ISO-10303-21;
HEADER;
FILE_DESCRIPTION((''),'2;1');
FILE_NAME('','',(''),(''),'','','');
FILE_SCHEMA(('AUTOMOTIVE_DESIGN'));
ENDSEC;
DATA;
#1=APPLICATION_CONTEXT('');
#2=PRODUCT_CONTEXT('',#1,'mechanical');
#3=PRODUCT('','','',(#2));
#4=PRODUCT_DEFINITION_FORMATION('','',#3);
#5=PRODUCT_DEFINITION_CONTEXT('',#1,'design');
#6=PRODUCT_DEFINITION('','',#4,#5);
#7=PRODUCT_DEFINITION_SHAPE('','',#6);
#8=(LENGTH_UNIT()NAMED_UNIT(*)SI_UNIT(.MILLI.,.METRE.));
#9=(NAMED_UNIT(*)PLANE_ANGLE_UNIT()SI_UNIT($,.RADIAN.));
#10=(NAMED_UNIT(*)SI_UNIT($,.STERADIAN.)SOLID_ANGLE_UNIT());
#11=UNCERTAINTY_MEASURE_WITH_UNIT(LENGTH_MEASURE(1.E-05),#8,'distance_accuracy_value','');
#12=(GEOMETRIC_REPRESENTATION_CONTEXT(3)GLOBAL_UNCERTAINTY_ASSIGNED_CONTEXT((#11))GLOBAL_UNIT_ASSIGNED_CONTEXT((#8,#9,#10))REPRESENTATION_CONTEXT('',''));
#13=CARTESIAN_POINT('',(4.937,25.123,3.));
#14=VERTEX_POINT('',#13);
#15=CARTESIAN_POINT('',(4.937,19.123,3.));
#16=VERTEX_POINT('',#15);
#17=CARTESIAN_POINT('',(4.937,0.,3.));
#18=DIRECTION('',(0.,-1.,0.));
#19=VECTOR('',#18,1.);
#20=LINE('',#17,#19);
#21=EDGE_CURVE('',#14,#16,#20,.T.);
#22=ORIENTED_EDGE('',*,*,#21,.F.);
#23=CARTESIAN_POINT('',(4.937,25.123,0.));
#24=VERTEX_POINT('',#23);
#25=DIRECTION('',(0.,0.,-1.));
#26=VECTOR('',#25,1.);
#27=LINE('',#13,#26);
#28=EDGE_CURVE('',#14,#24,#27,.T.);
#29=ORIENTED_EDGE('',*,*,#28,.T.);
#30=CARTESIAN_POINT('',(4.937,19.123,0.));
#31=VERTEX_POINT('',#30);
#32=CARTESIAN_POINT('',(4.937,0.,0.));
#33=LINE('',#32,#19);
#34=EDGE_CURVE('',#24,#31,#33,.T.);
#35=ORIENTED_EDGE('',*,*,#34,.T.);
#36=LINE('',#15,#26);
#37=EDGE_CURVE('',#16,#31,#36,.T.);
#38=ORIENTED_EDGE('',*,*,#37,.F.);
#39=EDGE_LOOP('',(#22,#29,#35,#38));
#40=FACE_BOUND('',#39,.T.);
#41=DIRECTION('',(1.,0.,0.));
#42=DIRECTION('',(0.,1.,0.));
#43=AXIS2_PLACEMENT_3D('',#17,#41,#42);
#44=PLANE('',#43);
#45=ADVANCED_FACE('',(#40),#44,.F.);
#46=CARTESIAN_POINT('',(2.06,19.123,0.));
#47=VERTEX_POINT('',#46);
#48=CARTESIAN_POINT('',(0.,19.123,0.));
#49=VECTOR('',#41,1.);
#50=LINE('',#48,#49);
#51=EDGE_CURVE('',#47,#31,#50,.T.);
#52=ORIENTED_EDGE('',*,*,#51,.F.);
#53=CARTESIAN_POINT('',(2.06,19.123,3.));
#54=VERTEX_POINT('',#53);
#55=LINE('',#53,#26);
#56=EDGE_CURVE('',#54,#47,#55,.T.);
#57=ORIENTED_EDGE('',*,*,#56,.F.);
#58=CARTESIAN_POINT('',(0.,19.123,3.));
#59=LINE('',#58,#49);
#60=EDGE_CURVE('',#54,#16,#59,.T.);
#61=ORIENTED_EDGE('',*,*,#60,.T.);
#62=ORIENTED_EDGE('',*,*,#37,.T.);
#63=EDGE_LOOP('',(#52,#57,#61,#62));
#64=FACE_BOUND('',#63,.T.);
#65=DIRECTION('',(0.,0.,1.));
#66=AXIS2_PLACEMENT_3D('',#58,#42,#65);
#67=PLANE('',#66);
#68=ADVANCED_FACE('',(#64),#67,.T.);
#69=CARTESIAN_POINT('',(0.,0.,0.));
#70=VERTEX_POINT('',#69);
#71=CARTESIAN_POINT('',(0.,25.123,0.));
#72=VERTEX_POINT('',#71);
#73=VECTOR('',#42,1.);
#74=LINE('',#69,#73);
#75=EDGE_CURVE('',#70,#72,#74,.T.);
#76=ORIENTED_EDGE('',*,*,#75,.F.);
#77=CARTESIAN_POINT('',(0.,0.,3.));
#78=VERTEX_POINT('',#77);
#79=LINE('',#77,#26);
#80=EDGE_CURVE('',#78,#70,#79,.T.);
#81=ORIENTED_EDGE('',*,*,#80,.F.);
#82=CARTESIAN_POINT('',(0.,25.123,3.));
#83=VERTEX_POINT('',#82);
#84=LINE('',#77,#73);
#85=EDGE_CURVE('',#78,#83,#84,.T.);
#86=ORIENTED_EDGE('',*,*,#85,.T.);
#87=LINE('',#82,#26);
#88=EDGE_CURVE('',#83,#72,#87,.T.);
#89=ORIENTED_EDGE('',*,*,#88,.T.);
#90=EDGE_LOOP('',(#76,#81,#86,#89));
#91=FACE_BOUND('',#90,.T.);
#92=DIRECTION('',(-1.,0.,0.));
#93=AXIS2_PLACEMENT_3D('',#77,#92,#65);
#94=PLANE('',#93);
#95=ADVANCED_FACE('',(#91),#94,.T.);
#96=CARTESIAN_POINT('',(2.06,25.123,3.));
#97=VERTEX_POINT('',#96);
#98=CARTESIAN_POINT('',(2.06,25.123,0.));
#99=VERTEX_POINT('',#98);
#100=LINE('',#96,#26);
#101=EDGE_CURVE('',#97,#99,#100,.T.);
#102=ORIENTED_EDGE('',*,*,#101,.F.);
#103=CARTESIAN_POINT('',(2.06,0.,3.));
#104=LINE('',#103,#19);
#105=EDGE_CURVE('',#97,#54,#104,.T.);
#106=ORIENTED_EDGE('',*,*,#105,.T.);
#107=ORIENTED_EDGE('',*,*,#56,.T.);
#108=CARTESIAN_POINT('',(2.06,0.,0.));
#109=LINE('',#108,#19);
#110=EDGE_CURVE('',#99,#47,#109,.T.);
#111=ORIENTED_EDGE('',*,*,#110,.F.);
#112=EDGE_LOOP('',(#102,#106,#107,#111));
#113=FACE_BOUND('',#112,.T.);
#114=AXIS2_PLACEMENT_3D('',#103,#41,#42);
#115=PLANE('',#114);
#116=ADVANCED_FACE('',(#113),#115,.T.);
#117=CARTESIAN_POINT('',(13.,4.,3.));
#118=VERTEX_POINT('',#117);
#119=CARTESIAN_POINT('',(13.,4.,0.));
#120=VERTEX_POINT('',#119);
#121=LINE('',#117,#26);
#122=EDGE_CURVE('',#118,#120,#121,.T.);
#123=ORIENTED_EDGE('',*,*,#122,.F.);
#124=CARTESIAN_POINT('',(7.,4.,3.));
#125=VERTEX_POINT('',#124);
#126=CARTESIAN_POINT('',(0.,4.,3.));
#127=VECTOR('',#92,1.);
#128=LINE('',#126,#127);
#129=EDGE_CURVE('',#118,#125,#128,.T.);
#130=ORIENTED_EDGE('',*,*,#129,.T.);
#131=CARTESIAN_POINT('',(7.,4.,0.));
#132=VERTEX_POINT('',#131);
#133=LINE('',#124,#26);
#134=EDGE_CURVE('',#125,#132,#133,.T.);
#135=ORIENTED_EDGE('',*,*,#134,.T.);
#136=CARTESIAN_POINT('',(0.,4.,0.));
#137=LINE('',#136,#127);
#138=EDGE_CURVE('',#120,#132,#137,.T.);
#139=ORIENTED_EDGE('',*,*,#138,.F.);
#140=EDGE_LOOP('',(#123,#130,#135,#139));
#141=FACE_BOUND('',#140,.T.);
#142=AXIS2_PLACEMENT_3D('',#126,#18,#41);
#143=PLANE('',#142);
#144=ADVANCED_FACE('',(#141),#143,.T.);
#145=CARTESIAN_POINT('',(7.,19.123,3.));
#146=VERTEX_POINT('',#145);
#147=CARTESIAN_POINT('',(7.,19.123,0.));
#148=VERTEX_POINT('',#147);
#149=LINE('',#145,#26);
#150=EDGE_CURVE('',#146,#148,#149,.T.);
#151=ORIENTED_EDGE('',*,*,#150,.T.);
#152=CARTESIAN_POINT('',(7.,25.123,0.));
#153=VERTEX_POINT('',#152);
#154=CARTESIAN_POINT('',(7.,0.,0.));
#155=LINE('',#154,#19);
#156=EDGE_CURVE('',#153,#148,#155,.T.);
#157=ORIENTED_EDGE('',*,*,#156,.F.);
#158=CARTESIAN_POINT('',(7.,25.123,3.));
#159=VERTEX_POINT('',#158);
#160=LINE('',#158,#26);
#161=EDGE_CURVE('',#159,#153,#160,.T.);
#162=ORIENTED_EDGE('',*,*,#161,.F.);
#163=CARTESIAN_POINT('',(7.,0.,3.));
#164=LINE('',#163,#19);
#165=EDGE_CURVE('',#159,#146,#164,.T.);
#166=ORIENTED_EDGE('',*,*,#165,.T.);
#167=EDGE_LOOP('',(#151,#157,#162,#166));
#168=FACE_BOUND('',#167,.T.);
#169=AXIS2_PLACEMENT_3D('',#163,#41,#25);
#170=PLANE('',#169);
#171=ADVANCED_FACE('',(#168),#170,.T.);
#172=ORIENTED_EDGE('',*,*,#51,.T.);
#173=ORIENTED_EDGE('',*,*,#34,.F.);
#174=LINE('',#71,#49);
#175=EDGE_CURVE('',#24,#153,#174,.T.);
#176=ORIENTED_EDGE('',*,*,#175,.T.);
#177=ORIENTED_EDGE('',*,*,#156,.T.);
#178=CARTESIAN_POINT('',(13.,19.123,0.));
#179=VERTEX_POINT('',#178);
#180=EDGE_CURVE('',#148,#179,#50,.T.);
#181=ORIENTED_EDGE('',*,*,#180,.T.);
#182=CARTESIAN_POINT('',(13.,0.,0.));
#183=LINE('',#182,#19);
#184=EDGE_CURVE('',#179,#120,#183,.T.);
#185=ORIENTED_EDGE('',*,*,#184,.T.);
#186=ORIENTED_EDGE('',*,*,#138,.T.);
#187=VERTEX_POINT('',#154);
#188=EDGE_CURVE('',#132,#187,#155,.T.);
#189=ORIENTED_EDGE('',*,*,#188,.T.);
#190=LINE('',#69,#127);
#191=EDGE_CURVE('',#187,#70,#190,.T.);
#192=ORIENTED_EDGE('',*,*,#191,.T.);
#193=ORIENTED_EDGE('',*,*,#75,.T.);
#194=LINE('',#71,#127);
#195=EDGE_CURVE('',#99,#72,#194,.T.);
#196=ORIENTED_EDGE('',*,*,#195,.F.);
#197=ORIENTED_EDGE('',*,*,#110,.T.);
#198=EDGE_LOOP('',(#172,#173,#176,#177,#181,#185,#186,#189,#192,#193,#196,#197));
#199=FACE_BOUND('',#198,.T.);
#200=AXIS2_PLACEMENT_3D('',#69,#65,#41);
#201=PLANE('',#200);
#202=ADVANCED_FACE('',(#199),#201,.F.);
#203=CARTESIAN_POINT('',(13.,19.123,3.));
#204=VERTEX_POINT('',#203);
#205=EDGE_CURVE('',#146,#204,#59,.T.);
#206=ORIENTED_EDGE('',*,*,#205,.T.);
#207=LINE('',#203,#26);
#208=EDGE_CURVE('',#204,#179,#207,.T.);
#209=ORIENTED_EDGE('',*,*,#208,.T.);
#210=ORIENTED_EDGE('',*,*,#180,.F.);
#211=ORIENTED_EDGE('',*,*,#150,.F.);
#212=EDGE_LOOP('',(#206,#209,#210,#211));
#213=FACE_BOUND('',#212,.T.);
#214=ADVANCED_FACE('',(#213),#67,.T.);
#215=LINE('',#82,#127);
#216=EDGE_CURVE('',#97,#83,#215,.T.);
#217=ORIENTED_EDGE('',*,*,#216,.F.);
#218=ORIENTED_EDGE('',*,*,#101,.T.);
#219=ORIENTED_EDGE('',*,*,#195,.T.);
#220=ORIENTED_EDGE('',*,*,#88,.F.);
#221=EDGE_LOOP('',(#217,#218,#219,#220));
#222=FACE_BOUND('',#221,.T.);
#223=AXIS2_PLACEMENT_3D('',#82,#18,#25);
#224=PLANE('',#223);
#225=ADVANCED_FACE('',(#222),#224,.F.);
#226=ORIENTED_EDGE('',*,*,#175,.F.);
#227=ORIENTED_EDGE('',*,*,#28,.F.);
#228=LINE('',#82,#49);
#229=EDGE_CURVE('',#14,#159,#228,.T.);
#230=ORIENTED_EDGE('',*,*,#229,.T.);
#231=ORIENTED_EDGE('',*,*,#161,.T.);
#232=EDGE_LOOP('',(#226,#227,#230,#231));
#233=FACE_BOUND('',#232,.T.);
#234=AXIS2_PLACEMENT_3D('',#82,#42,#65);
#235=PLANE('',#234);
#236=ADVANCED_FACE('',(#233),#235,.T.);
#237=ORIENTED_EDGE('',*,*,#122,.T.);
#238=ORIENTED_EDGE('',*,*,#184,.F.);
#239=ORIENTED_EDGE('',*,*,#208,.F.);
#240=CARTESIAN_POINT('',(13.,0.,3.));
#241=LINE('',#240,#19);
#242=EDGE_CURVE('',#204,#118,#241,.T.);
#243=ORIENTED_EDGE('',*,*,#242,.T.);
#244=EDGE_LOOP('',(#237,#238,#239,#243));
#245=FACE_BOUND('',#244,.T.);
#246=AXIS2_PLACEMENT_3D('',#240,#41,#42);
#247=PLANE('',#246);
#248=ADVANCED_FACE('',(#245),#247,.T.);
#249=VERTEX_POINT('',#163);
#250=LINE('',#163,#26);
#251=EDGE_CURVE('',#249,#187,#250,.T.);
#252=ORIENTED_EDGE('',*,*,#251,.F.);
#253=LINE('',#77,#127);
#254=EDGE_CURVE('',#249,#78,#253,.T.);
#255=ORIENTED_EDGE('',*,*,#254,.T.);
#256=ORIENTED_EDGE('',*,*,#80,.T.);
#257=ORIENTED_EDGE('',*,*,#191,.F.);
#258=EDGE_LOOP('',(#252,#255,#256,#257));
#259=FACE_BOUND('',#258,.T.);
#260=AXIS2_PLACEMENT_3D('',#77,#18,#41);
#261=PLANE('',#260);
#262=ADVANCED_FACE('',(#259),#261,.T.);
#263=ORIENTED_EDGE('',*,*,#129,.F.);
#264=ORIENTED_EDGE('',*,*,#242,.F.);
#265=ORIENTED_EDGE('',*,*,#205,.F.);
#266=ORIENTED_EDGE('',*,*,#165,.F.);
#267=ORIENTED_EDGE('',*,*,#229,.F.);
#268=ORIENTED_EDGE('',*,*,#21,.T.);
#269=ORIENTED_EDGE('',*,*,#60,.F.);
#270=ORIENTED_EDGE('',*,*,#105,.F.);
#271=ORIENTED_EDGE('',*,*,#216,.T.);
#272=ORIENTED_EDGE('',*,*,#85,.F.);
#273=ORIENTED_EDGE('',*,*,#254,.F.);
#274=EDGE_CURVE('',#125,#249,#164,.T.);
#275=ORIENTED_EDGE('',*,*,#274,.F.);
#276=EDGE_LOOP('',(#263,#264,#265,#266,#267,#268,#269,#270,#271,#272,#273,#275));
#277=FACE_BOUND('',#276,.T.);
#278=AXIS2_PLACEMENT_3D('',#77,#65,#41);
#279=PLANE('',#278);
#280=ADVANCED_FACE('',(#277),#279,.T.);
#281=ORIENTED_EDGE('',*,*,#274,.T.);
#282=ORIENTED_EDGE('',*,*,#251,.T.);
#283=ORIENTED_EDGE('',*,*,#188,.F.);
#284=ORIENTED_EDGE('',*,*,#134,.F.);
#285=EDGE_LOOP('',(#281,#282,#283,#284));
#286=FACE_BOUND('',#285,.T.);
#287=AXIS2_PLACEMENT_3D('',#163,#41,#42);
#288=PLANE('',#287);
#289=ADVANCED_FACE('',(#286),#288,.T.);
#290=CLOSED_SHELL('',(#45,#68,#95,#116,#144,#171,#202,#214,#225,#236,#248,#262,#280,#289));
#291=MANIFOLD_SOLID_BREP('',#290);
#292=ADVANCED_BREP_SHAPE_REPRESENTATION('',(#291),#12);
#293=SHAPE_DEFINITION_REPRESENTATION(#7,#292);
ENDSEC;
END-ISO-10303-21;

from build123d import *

# Parameters (mm, degrees)
SALIENTE_EXTRUIR2_DEPTH = 3


with BuildPart() as part:
    # Croquis1 → Saliente-Extruir2 (new body)
    with BuildSketch(Plane.XY):
        Polygon((4.937, 25.123), (7, 25.123), (7, 19.123), (13, 19.123), (13, 4), (7, 4), (7, 0), (0, 0), (0, 25.123), (2.06, 25.123), (2.06, 19.123), (4.937, 19.123), align=None)
    extrude(amount=SALIENTE_EXTRUIR2_DEPTH)


solid = part.part
